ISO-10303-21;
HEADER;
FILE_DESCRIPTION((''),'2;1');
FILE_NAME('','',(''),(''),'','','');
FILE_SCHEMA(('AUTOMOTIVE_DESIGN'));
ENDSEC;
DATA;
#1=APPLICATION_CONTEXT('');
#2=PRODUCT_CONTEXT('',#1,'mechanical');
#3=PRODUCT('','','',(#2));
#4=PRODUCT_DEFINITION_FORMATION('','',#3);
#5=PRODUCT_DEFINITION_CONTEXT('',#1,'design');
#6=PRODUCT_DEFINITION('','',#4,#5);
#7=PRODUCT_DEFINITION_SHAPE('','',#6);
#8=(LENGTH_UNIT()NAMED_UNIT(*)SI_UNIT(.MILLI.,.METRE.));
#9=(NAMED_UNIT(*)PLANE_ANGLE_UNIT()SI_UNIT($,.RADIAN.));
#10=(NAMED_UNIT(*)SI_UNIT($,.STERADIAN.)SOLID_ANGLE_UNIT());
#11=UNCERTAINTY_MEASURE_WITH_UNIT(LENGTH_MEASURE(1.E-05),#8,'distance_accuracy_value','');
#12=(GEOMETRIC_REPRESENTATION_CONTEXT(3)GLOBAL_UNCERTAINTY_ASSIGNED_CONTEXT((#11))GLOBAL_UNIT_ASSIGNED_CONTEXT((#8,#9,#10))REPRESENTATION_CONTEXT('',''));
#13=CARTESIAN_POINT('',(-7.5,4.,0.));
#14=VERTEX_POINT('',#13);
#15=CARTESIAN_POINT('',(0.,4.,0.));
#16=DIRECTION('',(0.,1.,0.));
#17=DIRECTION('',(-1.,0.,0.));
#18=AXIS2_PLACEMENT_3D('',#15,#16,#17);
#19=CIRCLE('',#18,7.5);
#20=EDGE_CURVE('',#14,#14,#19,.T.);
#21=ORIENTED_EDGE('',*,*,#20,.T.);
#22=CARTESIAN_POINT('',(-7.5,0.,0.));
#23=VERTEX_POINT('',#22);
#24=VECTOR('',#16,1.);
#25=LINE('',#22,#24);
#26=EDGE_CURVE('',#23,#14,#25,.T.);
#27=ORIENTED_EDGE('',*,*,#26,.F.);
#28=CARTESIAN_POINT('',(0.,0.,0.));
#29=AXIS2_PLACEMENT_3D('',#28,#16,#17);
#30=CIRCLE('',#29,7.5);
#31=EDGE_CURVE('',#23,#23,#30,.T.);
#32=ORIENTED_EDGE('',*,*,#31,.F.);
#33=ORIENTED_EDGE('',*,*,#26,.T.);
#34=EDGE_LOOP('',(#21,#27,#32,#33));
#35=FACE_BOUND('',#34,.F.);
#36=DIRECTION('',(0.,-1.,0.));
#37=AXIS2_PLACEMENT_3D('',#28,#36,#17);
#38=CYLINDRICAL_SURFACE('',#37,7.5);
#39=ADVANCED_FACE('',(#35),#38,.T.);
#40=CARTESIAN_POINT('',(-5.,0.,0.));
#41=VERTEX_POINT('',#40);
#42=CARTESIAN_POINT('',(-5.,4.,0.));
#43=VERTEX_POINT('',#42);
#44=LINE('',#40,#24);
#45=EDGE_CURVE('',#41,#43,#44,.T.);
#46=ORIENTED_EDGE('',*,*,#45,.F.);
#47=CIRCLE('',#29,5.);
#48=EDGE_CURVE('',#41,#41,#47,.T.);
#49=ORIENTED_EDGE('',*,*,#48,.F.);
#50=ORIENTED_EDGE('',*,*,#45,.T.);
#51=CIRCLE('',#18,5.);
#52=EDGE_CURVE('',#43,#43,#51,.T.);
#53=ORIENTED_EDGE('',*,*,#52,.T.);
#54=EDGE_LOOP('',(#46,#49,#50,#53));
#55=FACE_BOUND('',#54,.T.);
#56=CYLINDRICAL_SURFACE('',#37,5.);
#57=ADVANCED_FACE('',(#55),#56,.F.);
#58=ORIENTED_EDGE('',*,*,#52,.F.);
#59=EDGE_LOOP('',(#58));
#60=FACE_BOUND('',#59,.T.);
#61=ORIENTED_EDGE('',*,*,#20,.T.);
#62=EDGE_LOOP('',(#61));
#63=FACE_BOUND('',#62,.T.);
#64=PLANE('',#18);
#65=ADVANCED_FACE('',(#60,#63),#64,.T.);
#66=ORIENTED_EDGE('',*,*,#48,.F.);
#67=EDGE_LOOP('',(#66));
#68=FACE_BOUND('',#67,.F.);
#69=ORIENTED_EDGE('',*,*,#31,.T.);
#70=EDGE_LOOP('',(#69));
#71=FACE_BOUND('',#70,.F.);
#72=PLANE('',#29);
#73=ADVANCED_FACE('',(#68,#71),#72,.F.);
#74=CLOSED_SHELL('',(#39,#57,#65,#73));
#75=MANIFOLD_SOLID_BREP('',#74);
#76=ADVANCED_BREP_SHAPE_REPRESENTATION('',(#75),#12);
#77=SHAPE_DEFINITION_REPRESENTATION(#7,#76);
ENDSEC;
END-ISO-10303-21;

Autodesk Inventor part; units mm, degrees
ref_plane "YZ Plane" through (0, 0, 0) normal (1, 0, 0) x (0, 1, 0)
ref_plane "XZ Plane" through (0, 0, 0) normal (0, 1, 0) x (-1, 0, 0)
ref_plane "XY Plane" through (0, 0, 0) normal (0, 0, 1) x (1, 0, 0)
sketch "Sketch1" plane through (0, 0, 0) normal (0, 1, 0) x (-1, 0, 0)
  circle A0 centre (0, 0) radius 7.5
  circle A1 centre (0, 0) radius 5
  dimension "d0" = 15
  dimension "d1" = 10
extrude "Extrusion1" add sketch "Sketch1" along normal blind 4
properties part number "P88038"
